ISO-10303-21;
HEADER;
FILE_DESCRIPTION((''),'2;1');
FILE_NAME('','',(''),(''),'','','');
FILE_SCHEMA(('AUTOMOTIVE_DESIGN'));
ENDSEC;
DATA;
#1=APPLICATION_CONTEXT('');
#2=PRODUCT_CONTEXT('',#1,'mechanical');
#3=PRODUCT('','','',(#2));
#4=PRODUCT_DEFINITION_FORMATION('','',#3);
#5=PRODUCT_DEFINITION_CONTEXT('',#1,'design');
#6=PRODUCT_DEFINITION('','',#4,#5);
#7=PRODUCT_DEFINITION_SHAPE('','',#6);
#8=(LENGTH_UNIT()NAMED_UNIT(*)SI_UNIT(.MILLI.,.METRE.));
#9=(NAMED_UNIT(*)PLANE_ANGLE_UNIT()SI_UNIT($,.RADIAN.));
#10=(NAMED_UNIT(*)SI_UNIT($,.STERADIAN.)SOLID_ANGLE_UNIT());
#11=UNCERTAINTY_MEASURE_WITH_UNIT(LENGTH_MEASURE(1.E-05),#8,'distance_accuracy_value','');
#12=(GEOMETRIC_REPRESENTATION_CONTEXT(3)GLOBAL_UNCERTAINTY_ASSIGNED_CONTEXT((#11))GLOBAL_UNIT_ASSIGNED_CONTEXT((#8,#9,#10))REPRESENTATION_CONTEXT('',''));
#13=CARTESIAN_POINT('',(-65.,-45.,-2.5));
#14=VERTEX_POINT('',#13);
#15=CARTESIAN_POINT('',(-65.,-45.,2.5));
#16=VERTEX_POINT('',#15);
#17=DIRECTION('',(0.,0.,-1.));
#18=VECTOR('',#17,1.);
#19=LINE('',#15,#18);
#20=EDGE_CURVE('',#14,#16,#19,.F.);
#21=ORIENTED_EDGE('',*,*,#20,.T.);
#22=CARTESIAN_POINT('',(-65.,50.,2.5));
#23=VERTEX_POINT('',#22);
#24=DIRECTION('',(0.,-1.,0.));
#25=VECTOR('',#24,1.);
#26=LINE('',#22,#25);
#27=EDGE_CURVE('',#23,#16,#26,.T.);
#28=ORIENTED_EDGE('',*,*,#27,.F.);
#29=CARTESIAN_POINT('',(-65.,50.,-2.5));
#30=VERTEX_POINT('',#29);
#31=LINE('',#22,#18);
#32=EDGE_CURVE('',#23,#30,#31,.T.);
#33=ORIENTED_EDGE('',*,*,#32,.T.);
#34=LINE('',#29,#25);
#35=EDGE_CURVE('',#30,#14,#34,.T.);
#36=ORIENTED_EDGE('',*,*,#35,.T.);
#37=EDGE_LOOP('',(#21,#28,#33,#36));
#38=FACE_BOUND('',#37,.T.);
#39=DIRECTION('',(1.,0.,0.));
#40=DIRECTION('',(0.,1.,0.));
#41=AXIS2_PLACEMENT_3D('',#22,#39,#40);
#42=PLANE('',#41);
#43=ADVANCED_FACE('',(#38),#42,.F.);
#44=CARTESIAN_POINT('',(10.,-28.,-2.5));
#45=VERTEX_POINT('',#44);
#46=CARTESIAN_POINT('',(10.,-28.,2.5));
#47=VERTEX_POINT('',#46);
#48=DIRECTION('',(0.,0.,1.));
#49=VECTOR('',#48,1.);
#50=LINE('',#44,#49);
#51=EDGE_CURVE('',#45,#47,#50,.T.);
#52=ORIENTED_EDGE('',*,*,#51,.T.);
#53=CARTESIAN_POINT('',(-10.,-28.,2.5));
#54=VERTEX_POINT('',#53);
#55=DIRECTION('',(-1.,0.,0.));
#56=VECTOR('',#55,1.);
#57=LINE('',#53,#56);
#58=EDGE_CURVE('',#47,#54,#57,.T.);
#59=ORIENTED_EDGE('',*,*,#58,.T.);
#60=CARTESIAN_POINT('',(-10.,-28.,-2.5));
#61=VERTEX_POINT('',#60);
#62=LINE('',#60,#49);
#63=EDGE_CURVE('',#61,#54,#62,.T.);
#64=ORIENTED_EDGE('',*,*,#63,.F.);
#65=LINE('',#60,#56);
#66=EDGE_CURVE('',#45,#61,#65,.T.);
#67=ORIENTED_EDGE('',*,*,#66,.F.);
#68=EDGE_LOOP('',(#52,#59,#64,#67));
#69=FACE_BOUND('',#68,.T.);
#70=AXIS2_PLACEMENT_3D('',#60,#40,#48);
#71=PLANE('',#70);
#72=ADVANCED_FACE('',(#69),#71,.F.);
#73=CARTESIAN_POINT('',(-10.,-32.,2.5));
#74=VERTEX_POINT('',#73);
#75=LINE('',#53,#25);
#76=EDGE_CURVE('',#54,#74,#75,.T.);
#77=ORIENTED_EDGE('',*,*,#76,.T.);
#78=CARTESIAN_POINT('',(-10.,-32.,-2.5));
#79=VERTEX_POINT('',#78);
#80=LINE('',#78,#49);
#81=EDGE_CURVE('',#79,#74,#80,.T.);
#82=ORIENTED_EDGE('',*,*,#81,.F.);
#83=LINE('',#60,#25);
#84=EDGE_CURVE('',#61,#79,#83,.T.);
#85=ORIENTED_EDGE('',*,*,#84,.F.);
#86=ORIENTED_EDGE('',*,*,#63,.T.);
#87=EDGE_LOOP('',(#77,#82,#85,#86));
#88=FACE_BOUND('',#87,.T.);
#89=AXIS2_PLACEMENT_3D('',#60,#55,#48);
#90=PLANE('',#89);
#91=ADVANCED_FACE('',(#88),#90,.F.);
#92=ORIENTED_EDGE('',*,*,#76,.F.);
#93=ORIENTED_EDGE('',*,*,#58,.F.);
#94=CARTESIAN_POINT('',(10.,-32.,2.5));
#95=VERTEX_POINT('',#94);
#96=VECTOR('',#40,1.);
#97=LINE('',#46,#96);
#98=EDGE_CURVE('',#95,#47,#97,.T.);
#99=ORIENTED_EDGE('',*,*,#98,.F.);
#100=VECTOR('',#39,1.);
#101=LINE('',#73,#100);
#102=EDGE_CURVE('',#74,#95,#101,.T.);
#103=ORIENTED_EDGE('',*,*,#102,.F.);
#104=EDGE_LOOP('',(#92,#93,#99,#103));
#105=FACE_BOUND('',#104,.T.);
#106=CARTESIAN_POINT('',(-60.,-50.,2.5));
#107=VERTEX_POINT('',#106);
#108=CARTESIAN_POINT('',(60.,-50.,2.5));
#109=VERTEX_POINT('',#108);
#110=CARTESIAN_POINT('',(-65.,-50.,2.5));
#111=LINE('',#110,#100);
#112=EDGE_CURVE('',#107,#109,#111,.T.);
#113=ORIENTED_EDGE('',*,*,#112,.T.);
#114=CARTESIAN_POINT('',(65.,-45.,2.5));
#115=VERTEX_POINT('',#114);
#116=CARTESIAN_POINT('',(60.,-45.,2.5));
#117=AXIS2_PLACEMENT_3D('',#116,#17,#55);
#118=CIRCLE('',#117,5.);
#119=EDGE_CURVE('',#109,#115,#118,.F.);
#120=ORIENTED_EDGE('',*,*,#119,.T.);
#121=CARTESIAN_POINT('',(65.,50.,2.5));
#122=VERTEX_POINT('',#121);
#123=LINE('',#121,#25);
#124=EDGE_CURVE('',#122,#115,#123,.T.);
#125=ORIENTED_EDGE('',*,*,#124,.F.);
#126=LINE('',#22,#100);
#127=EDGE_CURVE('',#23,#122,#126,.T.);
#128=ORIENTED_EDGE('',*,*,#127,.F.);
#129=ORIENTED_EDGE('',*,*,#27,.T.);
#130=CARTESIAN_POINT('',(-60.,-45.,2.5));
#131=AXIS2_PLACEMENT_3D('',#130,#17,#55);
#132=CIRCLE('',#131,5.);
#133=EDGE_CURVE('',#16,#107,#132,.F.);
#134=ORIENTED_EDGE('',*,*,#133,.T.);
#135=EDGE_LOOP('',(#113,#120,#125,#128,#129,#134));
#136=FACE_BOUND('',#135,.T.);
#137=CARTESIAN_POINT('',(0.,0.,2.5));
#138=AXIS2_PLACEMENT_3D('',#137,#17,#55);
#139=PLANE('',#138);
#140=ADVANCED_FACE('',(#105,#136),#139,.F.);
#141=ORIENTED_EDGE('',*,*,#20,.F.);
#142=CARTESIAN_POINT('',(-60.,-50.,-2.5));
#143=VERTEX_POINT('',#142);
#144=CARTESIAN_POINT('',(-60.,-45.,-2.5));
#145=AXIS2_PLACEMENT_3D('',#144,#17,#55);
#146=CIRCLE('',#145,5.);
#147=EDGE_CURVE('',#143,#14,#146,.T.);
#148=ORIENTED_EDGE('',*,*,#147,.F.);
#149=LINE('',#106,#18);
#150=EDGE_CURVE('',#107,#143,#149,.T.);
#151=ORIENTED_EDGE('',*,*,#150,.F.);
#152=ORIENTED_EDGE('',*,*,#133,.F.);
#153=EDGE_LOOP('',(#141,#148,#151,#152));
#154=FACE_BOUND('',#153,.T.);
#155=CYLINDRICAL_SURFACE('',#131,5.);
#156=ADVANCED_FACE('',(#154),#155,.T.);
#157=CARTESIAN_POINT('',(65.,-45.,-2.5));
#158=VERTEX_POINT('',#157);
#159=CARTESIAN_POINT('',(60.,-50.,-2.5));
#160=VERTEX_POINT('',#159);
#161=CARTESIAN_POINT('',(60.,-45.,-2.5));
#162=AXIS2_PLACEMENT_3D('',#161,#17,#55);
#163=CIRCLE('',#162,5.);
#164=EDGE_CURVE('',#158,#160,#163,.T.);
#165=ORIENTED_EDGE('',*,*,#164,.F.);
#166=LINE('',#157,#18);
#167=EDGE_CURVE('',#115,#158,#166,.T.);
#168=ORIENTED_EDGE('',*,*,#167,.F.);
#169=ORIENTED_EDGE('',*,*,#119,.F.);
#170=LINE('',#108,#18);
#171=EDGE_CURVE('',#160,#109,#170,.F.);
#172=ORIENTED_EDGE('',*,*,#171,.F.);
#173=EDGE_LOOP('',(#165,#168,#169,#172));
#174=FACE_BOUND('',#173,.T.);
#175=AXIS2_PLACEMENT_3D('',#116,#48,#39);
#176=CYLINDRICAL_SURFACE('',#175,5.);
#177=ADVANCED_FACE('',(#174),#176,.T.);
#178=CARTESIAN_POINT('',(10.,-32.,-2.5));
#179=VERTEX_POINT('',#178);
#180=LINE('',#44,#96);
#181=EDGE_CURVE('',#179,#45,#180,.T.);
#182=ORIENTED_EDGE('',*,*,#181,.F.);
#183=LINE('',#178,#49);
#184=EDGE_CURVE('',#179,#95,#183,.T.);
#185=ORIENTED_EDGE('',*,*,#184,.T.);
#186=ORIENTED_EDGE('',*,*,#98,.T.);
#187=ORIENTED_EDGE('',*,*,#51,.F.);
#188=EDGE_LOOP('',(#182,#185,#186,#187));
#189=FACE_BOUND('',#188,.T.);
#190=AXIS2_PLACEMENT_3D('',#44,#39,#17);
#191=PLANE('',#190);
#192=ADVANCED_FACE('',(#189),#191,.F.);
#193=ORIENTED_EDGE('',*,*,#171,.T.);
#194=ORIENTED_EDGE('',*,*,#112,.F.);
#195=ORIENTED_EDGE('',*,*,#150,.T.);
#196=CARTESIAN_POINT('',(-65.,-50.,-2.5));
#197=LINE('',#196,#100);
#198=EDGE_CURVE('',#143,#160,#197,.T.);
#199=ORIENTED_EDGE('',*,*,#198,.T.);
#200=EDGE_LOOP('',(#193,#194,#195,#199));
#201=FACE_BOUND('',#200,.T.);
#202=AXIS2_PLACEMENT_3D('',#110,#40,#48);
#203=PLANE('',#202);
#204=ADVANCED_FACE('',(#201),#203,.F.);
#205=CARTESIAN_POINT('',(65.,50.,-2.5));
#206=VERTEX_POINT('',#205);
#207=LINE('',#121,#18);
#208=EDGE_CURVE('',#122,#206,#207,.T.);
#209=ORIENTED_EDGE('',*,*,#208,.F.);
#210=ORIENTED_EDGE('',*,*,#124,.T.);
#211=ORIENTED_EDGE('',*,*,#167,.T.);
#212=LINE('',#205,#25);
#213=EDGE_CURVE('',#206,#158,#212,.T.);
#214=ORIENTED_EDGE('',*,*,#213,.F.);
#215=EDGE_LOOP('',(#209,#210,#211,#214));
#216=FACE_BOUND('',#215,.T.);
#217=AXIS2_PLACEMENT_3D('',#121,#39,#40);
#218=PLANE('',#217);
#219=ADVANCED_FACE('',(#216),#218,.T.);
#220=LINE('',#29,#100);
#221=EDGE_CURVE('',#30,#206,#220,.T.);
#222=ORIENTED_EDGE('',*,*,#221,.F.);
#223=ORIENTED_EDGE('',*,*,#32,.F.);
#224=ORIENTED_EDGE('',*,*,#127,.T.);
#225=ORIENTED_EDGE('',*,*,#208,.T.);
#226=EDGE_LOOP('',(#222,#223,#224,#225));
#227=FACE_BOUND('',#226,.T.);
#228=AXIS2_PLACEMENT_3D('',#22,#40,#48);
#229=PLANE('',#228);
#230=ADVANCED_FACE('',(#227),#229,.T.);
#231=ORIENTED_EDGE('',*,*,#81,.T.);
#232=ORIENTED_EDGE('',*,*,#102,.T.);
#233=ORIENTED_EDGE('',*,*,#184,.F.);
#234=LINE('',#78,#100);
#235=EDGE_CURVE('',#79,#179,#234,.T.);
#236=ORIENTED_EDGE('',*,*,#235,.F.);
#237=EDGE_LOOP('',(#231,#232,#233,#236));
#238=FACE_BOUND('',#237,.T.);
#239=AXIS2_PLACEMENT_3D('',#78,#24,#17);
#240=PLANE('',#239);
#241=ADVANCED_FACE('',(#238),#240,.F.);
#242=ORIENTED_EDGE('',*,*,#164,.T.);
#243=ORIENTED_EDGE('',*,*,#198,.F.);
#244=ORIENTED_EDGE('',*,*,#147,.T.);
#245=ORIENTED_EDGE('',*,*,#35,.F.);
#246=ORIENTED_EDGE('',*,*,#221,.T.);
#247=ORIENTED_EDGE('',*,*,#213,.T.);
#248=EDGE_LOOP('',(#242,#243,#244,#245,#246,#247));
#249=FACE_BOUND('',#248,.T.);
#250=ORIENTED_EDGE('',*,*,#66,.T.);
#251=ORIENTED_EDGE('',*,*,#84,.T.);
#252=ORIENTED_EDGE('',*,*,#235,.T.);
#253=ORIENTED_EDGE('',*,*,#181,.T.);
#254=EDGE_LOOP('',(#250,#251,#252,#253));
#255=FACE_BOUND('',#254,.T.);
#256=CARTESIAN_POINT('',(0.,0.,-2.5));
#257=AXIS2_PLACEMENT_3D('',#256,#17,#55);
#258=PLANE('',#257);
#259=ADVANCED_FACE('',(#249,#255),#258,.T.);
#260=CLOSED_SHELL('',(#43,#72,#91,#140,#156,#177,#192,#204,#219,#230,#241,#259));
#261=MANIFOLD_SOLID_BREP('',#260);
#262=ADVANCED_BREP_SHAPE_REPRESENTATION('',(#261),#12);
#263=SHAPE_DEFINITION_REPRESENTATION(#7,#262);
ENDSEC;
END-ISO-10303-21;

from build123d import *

# Parameters (mm, degrees)
SKETCH2_W           = 130
SKETCH2_H           = 100
BOSS_EXTRUDE1_DEPTH = 2.5
FILLET1_R           = 5
SKETCH3_W           = 20
SKETCH3_H           = 4
CUT_EXTRUDE1_DEPTH  = 5


with BuildPart() as part:
    # Sketch2 → Boss-Extrude1 (new body, symmetric)
    with BuildSketch(Plane.XY):
        Rectangle(SKETCH2_W, SKETCH2_H)
    extrude(amount=BOSS_EXTRUDE1_DEPTH, both=True)

    # Fillet1
    fillet1_edges = [part.edges().sort_by_distance(p)[0] for p in [
        (-65, -50, 0),
        (65, -50, 0),
    ]]
    fillet(fillet1_edges, radius=FILLET1_R)

    # Sketch3 → Cut-Extrude1 (cut)
    with BuildSketch(Plane.XY.offset(2.5)):
        with Locations((0, -30)):
            Rectangle(SKETCH3_W, SKETCH3_H)
    extrude(amount=-CUT_EXTRUDE1_DEPTH, mode=Mode.SUBTRACT)


solid = part.part
